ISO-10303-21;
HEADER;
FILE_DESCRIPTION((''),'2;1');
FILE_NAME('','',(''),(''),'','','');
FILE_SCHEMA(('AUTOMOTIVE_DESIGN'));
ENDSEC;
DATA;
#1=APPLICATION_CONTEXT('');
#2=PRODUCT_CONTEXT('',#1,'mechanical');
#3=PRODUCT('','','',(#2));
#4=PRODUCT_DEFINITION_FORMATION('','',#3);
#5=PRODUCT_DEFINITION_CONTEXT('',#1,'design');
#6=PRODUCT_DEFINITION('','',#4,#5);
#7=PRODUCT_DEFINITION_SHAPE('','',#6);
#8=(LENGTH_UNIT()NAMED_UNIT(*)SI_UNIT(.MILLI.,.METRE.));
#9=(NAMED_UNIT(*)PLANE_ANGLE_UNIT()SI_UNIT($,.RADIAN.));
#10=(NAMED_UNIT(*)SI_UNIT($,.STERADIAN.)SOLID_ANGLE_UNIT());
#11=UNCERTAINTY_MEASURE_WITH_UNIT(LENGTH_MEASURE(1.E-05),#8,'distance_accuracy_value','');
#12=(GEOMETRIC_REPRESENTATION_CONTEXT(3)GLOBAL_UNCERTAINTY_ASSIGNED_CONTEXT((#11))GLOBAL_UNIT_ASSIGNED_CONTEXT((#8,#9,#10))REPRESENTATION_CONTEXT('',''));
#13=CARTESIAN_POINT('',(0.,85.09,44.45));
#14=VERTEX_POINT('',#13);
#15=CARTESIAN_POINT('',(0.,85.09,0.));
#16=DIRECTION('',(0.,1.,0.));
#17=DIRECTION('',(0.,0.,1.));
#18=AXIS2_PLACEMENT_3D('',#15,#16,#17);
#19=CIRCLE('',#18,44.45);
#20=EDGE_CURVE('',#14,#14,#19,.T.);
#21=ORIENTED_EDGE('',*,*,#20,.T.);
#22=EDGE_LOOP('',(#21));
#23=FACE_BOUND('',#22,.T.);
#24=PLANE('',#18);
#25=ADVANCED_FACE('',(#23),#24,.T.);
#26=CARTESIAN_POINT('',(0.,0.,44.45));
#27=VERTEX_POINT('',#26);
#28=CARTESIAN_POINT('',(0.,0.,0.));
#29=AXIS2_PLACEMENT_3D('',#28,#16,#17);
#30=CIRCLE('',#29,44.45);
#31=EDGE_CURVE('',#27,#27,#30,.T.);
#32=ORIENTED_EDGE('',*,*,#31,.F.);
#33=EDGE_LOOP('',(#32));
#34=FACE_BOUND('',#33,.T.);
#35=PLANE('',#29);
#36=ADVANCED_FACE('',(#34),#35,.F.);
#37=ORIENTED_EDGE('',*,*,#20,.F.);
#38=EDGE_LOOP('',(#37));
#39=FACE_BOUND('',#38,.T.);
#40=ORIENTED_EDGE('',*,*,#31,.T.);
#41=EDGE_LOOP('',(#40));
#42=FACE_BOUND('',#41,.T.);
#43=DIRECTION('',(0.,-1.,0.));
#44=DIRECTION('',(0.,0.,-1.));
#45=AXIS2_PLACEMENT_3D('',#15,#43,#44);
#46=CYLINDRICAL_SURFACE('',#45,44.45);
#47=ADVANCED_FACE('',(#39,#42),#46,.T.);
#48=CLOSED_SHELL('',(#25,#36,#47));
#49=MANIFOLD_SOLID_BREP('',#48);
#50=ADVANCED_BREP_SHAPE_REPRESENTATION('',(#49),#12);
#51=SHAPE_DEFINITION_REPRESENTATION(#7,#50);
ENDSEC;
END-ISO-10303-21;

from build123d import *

# Parameters (mm, degrees)
SKETCH1_R      = 44.45
EXTRUDE1_DEPTH = 85.09


with BuildPart() as part:
    # Sketch1 → Extrude1 (new body)
    with BuildSketch(Plane(origin=(0, 0, 0), x_dir=(1, 0, 0), z_dir=(0, 1, 0))):
        with Locations(Location((0, 0, 0), (0, 0, 270))):  # turned: the seam where the file's is
            Circle(SKETCH1_R)
    extrude(amount=EXTRUDE1_DEPTH)


solid = part.part
